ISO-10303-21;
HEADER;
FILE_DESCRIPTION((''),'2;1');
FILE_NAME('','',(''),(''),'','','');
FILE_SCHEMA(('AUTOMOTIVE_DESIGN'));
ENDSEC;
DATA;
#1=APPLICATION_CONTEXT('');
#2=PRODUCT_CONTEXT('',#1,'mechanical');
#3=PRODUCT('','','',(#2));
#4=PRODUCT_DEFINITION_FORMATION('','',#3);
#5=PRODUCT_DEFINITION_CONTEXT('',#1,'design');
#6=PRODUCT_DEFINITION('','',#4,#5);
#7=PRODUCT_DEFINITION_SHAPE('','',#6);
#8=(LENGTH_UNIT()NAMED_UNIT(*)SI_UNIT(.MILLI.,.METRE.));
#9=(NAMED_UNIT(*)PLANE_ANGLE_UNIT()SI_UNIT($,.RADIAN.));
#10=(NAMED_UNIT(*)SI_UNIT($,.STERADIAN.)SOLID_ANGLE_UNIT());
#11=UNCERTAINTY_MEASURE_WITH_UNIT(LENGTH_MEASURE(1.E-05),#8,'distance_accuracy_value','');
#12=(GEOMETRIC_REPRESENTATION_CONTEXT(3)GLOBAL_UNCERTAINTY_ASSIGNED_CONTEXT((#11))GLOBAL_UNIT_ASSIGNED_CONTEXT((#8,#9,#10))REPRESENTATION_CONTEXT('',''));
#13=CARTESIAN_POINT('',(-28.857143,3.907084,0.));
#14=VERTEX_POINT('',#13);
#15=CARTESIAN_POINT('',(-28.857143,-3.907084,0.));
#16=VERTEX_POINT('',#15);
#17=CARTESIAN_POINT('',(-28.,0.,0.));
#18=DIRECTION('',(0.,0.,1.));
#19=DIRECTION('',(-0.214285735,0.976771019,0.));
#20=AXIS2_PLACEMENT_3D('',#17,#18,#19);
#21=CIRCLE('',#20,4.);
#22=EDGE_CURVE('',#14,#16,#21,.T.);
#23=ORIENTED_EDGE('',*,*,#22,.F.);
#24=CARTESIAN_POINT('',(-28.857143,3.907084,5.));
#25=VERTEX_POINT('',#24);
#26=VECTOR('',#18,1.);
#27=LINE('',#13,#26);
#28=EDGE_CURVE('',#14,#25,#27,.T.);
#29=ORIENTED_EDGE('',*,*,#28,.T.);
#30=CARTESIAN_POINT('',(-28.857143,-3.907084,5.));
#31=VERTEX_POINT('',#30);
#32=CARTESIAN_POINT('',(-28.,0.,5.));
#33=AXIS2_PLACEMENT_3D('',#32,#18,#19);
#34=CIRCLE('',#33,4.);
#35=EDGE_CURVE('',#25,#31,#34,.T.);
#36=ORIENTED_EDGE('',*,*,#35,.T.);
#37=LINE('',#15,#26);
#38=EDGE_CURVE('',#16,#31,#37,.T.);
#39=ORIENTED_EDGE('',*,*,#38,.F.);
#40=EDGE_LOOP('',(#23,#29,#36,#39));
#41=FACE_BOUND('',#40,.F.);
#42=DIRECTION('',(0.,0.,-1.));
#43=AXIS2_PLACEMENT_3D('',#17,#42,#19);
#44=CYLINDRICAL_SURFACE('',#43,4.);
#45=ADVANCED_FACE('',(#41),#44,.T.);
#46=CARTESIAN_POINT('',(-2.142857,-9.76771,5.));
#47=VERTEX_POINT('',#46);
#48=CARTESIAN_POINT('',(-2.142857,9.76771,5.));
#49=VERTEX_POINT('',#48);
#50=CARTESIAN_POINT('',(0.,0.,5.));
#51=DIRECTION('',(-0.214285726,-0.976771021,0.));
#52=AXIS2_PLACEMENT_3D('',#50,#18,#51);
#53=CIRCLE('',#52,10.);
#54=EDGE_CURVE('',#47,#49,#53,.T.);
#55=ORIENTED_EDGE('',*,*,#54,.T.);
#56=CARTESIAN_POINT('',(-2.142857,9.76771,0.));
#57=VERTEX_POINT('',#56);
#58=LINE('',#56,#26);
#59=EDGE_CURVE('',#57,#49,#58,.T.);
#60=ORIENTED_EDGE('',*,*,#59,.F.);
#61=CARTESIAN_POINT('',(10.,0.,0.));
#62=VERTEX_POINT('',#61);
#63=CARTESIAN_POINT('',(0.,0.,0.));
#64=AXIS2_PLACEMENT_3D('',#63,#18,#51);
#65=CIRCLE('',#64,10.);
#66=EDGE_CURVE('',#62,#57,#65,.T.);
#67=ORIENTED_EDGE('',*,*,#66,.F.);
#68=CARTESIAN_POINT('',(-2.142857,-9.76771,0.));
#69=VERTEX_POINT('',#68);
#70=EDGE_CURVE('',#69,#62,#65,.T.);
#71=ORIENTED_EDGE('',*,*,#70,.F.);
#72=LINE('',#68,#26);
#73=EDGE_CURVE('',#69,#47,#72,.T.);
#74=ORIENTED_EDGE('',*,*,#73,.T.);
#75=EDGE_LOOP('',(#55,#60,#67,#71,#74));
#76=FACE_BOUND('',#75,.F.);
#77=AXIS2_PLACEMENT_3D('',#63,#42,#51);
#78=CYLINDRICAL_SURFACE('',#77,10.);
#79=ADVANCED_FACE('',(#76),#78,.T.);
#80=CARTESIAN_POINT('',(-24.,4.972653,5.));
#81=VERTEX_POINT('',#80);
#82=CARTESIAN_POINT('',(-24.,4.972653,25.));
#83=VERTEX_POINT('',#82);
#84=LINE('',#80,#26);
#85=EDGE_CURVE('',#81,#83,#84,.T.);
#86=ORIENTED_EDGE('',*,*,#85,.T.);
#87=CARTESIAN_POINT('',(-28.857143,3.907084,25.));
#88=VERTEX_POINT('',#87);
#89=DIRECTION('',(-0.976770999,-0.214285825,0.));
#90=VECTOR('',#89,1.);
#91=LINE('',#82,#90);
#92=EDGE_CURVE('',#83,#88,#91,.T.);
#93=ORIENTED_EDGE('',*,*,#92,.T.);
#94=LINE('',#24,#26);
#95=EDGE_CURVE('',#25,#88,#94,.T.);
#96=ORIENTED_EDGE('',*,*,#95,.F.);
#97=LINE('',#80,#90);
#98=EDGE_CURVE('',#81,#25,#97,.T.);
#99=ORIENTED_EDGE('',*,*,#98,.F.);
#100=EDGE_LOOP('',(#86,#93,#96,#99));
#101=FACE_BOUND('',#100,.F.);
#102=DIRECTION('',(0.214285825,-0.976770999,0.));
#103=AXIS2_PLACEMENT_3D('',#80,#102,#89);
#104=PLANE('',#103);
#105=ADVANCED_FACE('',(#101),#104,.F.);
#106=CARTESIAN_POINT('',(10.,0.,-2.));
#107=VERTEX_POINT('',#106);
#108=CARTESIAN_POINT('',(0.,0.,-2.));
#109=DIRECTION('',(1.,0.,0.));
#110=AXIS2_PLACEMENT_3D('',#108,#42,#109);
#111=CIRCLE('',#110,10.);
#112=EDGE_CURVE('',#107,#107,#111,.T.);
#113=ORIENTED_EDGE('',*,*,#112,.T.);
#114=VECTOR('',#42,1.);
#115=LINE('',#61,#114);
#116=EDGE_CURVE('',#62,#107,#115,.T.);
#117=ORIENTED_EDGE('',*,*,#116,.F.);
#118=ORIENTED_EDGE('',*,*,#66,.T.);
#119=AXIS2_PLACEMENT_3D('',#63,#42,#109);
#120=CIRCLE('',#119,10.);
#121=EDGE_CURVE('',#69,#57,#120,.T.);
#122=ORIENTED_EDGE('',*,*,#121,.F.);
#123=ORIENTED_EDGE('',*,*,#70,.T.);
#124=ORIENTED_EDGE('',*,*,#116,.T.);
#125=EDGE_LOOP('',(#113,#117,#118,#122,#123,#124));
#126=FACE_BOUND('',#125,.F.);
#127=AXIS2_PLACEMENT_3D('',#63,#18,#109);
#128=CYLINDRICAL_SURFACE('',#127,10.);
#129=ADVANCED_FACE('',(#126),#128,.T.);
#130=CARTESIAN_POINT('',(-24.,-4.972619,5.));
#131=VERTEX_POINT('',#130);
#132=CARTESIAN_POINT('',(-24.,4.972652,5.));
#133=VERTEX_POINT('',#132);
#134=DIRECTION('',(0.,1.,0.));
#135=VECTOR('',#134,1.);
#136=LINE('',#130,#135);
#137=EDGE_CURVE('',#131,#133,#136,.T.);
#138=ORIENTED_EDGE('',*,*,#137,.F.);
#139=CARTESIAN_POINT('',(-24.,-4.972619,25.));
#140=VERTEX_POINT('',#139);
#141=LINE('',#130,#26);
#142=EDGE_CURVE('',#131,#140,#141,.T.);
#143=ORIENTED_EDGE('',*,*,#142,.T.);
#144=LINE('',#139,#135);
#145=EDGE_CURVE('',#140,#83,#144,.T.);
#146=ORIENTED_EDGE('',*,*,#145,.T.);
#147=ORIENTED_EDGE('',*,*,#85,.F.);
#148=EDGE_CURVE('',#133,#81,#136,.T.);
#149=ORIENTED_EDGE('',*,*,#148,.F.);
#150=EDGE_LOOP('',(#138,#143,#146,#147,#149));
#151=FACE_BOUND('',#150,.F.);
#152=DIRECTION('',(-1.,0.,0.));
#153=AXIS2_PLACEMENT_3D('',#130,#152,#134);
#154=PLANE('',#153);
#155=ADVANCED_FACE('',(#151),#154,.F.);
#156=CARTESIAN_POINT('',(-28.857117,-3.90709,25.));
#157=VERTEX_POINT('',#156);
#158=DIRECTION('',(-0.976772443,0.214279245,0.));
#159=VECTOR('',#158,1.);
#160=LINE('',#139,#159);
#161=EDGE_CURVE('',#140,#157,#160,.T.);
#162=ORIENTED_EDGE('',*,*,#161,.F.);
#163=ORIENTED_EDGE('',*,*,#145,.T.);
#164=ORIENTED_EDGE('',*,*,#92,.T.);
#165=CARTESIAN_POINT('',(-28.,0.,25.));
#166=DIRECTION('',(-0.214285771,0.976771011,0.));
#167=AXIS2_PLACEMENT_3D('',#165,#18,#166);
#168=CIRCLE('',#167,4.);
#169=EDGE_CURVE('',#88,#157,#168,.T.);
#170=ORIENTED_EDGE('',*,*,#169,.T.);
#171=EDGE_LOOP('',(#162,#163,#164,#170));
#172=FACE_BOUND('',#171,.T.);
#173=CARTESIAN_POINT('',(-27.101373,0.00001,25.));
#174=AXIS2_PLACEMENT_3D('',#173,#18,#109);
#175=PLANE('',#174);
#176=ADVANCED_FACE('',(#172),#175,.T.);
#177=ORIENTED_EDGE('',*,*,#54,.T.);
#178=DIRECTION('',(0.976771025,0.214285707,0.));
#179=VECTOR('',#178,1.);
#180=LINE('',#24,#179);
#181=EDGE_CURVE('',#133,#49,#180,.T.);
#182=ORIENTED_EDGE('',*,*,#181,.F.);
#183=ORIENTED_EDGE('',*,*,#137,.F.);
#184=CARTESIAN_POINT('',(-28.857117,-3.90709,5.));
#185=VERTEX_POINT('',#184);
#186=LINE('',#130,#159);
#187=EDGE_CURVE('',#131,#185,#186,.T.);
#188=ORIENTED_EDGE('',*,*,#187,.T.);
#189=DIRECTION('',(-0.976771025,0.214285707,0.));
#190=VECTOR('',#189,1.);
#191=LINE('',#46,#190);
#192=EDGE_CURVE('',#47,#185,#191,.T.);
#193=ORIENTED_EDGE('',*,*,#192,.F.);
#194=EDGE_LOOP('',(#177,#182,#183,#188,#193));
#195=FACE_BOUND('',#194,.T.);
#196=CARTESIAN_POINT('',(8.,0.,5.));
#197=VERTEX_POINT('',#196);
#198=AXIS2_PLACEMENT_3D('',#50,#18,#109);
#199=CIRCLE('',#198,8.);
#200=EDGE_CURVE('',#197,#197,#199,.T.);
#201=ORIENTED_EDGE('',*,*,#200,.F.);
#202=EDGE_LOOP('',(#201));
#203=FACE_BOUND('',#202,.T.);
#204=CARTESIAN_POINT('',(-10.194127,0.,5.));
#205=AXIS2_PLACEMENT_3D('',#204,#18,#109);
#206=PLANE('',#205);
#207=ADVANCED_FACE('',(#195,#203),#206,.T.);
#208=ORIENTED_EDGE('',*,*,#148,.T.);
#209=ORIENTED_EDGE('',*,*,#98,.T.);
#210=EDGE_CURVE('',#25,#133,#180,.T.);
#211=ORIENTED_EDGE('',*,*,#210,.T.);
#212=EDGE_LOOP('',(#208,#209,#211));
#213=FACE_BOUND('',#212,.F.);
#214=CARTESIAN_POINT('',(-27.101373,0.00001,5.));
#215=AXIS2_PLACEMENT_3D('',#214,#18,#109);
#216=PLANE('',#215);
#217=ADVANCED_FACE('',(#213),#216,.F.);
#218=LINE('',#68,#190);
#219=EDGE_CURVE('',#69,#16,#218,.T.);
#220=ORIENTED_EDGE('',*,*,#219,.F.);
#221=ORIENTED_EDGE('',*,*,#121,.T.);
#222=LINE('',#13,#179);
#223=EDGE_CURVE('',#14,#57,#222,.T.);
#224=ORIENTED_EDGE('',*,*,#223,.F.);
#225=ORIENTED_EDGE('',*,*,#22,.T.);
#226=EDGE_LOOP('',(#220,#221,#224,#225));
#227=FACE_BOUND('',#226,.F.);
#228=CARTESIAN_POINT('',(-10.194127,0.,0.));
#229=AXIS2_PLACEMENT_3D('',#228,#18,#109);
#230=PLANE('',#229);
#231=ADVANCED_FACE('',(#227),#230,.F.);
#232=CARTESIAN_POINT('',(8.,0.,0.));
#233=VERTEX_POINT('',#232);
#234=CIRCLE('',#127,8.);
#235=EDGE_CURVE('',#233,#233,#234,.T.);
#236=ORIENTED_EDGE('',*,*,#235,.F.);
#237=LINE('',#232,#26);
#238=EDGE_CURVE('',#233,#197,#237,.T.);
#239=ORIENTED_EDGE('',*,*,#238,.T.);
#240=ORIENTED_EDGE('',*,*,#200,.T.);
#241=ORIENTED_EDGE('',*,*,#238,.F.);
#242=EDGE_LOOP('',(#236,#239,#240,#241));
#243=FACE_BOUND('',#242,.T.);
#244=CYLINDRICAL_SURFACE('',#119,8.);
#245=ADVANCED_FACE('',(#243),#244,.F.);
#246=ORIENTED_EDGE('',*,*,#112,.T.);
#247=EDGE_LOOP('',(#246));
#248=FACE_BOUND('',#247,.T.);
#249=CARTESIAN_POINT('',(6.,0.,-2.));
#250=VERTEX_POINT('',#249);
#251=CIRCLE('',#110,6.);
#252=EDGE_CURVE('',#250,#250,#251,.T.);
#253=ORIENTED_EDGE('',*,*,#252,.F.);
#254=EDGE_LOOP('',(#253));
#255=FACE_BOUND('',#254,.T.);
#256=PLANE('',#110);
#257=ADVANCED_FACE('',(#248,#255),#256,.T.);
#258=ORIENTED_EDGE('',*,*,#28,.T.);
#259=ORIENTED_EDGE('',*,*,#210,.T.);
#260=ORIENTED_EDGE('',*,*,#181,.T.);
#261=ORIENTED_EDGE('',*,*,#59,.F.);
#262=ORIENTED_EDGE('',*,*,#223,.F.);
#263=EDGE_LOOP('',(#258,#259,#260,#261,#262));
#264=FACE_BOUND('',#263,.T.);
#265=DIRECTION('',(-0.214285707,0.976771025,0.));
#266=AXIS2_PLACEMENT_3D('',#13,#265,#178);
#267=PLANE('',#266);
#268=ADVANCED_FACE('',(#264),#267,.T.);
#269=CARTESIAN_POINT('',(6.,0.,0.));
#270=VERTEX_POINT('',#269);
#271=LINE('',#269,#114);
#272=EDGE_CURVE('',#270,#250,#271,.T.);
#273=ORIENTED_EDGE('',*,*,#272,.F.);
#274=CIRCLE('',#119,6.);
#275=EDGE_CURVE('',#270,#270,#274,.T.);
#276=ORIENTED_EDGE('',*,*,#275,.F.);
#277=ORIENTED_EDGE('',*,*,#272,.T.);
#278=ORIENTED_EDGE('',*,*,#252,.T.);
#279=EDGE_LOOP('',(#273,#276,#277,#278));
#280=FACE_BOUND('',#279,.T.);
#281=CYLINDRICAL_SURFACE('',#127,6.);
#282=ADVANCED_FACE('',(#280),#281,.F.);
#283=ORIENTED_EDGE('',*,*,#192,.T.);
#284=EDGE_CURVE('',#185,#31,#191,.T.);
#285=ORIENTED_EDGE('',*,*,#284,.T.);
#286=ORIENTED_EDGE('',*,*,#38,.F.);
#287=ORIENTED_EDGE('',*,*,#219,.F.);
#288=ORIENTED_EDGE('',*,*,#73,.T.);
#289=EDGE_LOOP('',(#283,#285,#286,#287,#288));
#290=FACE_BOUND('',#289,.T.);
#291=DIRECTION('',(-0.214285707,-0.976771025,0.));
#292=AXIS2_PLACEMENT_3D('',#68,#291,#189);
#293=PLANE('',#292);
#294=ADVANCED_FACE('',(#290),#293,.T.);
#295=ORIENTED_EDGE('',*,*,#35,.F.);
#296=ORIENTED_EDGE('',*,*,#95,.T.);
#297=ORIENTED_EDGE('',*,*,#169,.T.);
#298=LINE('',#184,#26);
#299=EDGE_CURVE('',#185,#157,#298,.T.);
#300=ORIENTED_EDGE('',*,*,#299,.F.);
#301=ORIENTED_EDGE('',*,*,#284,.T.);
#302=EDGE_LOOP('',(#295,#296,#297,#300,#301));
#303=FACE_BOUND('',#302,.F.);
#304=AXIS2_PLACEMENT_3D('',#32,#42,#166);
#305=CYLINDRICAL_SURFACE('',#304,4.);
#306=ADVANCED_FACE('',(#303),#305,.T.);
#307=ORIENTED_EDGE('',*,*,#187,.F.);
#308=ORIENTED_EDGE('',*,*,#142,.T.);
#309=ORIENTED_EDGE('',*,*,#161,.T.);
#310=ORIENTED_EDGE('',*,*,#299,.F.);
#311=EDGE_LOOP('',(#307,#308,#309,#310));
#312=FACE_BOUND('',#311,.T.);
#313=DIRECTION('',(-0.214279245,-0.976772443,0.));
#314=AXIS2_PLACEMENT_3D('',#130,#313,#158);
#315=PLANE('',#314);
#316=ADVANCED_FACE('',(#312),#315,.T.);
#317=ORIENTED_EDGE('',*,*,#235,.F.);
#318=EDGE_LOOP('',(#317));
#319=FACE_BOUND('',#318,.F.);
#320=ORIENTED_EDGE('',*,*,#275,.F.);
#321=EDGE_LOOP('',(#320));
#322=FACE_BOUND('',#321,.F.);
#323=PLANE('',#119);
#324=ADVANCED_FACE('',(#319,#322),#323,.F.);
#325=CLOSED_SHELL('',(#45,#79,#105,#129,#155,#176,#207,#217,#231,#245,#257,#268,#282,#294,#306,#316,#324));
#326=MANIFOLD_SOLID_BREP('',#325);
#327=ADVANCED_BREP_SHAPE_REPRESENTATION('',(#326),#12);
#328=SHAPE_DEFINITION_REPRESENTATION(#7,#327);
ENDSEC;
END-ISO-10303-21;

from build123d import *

# Parameters (mm, degrees)
SKETCH_R      = 8
PAD_DEPTH     = 5
PAD001_DEPTH  = 20
SKETCH002_R   = 10
SKETCH002_R_2 = 6
PAD002_DEPTH  = 2


with BuildPart() as part:
    # Sketch → Pad (new body)
    with BuildSketch(Plane.XY):
        with BuildLine():
            ThreePointArc((-2.142857, -9.76771), (10, 0), (-2.142857, 9.76771))
            Line((-28.857143, 3.907084), (-2.142857, 9.76771))
            ThreePointArc((-28.857143, 3.907084), (-32, 0), (-28.857143, -3.907084))
            Line((-2.142857, -9.76771), (-28.857143, -3.907084))
        make_face()
        Circle(SKETCH_R, mode=Mode.SUBTRACT)
    extrude(amount=PAD_DEPTH)

    # Sketch001 (on Face7 of Pad) → Pad001 (join)
    with BuildSketch(Plane.XY.offset(5)):
        with BuildLine():
            ThreePointArc((-28.857143, 3.907084), (-32, -1.3e-05), (-28.857117, -3.90709))
            Line((-24, -4.972619), (-28.857117, -3.90709))
            Line((-24, -4.972619), (-24, 4.972653))
            Line((-24, 4.972653), (-28.857143, 3.907084))
        make_face()
    extrude(amount=PAD001_DEPTH)

    # Sketch002 → Pad002 (join)
    with BuildSketch(Plane(origin=(0, 0, 0), x_dir=(1, 0, 0), z_dir=(0, 0, -1))):
        Circle(SKETCH002_R)
        Circle(SKETCH002_R_2, mode=Mode.SUBTRACT)
    extrude(amount=PAD002_DEPTH)


solid = part.part
